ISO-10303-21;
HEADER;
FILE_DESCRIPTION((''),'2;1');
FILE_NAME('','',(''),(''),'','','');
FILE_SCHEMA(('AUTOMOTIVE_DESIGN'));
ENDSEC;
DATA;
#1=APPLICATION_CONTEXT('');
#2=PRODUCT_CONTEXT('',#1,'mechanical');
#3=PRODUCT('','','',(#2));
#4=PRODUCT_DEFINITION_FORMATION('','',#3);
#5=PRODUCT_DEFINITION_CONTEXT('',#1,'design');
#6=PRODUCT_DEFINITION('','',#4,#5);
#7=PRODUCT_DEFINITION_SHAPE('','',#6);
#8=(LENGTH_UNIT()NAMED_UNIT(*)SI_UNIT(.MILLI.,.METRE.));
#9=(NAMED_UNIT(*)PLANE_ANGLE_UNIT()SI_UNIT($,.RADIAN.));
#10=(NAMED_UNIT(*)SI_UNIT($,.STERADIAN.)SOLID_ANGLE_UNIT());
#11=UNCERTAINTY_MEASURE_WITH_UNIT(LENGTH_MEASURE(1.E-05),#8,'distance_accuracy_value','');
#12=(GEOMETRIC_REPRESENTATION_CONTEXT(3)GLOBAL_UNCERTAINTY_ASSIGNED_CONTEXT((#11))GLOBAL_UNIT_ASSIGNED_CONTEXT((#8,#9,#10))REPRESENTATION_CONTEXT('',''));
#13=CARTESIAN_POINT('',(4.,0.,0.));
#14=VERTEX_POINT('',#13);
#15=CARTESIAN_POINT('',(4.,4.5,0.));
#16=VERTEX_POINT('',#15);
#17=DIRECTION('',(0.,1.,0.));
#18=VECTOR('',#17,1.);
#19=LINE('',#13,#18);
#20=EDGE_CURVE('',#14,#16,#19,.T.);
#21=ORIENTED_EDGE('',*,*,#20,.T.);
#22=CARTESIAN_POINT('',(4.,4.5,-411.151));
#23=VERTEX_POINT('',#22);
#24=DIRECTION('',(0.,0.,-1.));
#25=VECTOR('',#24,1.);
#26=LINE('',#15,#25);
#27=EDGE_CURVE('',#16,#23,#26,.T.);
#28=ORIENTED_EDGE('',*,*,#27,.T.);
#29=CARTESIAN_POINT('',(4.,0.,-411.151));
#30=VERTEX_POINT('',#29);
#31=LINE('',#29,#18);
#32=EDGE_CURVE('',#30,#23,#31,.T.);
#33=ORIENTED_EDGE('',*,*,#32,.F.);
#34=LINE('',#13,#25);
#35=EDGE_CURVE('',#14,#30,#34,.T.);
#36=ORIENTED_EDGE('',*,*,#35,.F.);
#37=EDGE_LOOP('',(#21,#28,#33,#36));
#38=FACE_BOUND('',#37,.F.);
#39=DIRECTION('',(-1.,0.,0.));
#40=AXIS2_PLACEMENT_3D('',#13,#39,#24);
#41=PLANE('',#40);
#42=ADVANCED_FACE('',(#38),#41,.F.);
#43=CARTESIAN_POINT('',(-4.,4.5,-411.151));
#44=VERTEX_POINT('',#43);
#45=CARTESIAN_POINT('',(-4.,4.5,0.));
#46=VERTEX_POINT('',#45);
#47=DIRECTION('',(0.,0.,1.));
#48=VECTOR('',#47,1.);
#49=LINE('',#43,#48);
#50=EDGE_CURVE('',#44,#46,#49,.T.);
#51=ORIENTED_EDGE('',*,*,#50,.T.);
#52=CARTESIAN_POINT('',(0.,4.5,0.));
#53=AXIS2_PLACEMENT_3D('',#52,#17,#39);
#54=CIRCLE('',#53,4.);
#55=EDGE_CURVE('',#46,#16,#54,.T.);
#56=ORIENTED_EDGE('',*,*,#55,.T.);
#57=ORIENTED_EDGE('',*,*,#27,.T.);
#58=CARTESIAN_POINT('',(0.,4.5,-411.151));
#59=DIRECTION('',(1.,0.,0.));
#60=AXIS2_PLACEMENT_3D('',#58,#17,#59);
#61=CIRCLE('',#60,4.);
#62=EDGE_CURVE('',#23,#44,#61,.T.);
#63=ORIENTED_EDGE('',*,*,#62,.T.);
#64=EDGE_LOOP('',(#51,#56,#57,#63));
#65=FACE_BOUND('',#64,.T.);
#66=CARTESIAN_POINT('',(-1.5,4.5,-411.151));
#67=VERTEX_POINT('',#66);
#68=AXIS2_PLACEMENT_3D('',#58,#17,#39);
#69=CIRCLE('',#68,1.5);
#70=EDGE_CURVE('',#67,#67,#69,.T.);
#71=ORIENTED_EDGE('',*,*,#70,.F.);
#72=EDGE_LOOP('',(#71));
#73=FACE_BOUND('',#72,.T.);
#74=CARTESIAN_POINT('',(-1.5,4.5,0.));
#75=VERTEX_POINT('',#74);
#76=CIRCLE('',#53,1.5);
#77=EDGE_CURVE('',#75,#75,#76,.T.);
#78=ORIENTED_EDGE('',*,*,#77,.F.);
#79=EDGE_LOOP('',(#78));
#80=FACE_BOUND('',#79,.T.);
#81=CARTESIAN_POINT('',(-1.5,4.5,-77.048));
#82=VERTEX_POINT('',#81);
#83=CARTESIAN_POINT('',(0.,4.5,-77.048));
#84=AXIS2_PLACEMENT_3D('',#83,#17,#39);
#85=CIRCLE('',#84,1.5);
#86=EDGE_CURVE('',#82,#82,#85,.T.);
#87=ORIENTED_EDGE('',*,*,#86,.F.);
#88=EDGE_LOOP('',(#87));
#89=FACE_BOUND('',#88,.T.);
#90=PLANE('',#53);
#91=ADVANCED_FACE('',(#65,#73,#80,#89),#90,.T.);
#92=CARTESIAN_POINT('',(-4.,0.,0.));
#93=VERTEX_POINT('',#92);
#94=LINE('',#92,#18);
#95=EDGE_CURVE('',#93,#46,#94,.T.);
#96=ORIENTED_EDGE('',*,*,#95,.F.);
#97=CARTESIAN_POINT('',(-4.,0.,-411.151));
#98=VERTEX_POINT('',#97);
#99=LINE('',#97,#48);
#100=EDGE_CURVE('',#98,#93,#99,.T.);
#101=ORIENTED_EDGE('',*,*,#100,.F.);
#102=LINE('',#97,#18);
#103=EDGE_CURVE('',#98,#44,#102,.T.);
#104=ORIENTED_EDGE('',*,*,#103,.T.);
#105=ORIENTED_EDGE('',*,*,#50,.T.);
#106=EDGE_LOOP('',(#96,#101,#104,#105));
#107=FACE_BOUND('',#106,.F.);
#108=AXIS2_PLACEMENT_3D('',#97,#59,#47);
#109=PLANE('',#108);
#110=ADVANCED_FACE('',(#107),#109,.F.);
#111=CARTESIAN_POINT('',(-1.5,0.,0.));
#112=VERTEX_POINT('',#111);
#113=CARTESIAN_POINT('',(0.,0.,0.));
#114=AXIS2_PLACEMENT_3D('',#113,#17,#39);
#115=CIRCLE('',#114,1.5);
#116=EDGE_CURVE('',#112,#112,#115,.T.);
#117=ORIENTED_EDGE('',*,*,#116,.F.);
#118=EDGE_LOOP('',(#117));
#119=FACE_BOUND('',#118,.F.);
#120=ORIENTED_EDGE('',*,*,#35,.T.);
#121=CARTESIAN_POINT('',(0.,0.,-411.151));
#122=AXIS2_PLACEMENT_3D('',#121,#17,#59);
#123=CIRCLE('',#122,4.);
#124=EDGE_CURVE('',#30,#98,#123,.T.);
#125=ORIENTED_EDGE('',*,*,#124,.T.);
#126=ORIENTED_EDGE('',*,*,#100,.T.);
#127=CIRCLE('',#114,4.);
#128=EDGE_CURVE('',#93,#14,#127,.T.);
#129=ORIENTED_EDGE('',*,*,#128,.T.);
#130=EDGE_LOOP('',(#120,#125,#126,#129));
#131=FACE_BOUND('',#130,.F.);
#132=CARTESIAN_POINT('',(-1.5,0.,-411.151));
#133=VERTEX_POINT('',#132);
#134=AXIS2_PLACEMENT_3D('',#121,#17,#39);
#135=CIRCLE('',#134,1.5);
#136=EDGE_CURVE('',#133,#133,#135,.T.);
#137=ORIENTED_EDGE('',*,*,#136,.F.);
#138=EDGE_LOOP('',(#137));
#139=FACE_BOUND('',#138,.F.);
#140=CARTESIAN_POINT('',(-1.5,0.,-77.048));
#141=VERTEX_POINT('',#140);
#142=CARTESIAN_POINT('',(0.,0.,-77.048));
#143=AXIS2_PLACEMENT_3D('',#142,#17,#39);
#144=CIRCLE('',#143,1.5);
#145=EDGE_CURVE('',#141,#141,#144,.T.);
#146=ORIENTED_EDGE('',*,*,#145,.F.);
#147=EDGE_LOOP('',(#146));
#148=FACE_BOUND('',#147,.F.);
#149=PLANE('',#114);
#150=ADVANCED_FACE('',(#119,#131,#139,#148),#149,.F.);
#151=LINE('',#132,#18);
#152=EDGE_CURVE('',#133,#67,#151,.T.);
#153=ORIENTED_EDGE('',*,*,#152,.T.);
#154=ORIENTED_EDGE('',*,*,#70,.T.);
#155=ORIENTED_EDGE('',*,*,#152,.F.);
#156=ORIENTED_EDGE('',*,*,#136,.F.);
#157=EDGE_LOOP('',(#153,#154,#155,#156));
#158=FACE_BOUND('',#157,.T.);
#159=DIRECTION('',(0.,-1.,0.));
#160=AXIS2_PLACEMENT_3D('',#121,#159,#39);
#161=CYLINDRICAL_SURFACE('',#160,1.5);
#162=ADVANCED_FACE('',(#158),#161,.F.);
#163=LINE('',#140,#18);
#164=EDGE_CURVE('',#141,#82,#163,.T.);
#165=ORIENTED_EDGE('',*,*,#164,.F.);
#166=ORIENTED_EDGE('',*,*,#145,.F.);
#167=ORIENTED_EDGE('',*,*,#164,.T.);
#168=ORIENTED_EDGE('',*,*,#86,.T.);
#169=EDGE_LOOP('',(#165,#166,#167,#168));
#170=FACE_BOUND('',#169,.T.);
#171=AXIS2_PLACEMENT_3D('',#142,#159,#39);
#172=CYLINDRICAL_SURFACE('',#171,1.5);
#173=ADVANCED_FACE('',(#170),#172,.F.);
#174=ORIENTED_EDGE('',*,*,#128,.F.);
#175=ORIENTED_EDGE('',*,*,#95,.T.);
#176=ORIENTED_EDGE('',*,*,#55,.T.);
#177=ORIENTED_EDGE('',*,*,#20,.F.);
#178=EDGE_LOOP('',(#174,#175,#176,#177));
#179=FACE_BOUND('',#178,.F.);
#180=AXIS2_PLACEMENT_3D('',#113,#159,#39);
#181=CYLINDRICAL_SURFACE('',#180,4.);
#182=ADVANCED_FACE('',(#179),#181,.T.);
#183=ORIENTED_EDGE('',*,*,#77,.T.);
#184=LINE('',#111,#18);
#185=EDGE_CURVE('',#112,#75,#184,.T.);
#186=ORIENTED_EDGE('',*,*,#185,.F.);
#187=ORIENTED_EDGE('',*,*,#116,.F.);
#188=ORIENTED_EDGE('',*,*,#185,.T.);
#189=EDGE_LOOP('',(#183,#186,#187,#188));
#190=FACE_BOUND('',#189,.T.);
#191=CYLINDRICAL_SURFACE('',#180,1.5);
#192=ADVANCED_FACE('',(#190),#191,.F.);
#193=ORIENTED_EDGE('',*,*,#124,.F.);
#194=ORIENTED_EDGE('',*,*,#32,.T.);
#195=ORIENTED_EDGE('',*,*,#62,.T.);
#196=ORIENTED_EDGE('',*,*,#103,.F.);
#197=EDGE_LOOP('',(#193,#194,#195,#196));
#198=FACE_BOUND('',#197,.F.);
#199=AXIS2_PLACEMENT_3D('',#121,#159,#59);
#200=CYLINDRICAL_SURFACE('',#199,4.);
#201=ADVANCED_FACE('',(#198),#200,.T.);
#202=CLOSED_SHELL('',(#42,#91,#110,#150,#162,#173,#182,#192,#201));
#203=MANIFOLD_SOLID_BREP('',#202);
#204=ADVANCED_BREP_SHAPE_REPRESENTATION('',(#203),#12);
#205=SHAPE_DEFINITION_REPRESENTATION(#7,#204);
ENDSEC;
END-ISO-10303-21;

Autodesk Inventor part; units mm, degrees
ref_plane "YZ Plane" through (0, 0, 0) normal (1, 0, 0) x (0, 1, 0)
ref_plane "XZ Plane" through (0, 0, 0) normal (0, 1, 0) x (-1, 0, 0)
ref_plane "XY Plane" through (0, 0, 0) normal (0, 0, 1) x (1, 0, 0)
sketch "Sketch1" plane through (0, 0, 0) normal (0, 1, 0) x (-1, 0, 0)
  line L0 (0, 0) -> (0, -411.151) construction
  line L1 (-4, 0) -> (-4, -411.151)
  line L2 (4, -411.151) -> (4, 0)
  arc A0 (4, 0) -> (-4, 0) centre (0, 0) ccw
  arc A1 (-4, -411.151) -> (4, -411.151) centre (0, -411.151) ccw
  circle A2 centre (0, -411.151) radius 1.5
  circle A3 centre (0, 0) radius 1.5
  circle A4 centre (0, -77.048) radius 1.5
  point P0 (0, -205.5755)
  dimension "d0" = 411.151
  dimension "d1" = 8
  dimension "d2" = 3
  dimension "d3" = 3
  dimension "d6" = 3
  dimension "d7" = 334.103
extrude "Extrusion1" add sketch "Sketch1" along normal blind 4.5
sketch "Sketch2" plane through (0, 4.5, 0) normal (0, 1, 0) x (1, 0, 0)
  arc A0 (4, 411.151) -> (-4, 411.151) centre (0, 411.151) ccw projected
  line L0 (-4, 411.151) -> (-4, 0) projected
  arc A1 (-4, 0) -> (4, 0) centre (0, 0) ccw projected
  line L1 (4, 0) -> (4, 411.151) projected
  circle A2 centre (0, 77.048) radius 1.5 projected
  circle A3 centre (0, 0) radius 1.5 projected
  circle A4 centre (0, 411.151) radius 1.5 projected
properties part number "Wing_arm_2"
